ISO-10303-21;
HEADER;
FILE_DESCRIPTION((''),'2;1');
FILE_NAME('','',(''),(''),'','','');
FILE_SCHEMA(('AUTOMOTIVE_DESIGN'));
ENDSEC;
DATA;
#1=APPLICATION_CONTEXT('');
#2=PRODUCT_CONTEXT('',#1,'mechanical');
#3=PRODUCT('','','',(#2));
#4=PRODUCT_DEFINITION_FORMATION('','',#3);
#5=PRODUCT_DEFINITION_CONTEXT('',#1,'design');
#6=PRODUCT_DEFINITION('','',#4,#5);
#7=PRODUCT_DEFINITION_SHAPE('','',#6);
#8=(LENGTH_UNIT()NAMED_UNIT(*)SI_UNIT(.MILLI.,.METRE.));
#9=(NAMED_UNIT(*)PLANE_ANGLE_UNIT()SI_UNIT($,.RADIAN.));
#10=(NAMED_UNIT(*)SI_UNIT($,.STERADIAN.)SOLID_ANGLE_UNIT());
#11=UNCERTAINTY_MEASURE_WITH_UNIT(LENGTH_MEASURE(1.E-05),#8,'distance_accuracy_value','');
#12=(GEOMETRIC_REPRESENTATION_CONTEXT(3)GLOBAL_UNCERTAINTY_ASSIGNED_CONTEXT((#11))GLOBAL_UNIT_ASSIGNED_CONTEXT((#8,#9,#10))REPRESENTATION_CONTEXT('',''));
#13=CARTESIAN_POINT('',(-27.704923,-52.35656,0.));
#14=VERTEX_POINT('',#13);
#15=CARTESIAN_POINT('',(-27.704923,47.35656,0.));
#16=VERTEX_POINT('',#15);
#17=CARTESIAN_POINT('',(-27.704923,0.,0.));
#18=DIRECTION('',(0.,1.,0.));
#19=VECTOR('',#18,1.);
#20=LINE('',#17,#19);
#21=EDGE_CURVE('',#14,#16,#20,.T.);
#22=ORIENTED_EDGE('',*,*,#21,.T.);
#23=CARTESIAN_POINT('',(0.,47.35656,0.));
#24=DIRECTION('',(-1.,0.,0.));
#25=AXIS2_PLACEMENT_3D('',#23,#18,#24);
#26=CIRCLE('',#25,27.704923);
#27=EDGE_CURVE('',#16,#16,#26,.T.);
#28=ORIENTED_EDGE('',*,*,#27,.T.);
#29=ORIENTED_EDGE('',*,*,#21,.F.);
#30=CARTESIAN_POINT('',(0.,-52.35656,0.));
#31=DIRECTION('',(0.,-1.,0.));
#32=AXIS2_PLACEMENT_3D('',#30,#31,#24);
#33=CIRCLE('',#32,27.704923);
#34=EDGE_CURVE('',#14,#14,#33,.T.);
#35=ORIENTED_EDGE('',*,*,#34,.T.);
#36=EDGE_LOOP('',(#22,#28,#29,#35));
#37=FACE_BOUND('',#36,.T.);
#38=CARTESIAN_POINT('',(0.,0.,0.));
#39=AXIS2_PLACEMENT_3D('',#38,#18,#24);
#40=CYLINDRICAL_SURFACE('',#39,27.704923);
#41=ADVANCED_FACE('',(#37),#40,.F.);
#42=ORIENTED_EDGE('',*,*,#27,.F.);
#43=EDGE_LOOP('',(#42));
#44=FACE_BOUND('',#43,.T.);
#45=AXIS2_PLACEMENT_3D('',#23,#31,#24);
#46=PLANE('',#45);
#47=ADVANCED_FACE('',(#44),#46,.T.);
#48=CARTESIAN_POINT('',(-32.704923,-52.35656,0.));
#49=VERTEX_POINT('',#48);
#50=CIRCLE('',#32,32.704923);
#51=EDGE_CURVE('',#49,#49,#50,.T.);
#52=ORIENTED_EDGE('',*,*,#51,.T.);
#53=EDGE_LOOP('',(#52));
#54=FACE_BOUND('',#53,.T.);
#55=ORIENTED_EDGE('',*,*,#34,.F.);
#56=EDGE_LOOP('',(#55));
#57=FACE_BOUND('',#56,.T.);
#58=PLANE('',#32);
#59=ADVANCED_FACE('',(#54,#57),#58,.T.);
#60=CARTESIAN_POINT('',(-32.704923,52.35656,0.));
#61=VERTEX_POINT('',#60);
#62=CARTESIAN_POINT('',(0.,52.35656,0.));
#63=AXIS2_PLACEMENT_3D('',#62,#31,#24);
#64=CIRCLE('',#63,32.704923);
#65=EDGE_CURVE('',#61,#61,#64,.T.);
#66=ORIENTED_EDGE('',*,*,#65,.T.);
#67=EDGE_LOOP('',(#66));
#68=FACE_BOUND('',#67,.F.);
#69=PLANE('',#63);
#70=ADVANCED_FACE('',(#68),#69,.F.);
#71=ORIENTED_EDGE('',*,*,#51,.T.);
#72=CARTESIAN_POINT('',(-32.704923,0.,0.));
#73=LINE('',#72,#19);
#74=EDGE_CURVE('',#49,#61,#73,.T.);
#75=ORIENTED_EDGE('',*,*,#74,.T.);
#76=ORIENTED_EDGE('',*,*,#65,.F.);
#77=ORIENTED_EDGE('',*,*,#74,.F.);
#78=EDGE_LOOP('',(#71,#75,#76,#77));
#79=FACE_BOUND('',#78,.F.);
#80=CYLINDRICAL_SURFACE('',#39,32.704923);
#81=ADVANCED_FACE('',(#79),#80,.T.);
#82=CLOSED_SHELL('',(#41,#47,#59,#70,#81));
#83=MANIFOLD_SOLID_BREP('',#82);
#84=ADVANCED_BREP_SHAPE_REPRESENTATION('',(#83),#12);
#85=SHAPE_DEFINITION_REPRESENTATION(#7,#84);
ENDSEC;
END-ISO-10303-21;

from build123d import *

# Parameters (mm, degrees)
F0_W = 32.7049233019
F0_H = 104.7131195664
F2_T = -5


with BuildPart() as f1:
    # F0 (on Top) → F1 (revolve)
    with BuildSketch(Plane.XY):
        with Locations((-16.352461651, 0)):
            Rectangle(F0_W, F0_H)
    revolve(axis=Axis((0, 0, 0), (0, -1, 0)))

    # F2
    f2_openings = [f1.faces().sort_by_distance(p)[0] for p in [
        (0, -52.35656, 0),
    ]]
    offset(amount=F2_T, openings=f2_openings)


solid = f1.part
